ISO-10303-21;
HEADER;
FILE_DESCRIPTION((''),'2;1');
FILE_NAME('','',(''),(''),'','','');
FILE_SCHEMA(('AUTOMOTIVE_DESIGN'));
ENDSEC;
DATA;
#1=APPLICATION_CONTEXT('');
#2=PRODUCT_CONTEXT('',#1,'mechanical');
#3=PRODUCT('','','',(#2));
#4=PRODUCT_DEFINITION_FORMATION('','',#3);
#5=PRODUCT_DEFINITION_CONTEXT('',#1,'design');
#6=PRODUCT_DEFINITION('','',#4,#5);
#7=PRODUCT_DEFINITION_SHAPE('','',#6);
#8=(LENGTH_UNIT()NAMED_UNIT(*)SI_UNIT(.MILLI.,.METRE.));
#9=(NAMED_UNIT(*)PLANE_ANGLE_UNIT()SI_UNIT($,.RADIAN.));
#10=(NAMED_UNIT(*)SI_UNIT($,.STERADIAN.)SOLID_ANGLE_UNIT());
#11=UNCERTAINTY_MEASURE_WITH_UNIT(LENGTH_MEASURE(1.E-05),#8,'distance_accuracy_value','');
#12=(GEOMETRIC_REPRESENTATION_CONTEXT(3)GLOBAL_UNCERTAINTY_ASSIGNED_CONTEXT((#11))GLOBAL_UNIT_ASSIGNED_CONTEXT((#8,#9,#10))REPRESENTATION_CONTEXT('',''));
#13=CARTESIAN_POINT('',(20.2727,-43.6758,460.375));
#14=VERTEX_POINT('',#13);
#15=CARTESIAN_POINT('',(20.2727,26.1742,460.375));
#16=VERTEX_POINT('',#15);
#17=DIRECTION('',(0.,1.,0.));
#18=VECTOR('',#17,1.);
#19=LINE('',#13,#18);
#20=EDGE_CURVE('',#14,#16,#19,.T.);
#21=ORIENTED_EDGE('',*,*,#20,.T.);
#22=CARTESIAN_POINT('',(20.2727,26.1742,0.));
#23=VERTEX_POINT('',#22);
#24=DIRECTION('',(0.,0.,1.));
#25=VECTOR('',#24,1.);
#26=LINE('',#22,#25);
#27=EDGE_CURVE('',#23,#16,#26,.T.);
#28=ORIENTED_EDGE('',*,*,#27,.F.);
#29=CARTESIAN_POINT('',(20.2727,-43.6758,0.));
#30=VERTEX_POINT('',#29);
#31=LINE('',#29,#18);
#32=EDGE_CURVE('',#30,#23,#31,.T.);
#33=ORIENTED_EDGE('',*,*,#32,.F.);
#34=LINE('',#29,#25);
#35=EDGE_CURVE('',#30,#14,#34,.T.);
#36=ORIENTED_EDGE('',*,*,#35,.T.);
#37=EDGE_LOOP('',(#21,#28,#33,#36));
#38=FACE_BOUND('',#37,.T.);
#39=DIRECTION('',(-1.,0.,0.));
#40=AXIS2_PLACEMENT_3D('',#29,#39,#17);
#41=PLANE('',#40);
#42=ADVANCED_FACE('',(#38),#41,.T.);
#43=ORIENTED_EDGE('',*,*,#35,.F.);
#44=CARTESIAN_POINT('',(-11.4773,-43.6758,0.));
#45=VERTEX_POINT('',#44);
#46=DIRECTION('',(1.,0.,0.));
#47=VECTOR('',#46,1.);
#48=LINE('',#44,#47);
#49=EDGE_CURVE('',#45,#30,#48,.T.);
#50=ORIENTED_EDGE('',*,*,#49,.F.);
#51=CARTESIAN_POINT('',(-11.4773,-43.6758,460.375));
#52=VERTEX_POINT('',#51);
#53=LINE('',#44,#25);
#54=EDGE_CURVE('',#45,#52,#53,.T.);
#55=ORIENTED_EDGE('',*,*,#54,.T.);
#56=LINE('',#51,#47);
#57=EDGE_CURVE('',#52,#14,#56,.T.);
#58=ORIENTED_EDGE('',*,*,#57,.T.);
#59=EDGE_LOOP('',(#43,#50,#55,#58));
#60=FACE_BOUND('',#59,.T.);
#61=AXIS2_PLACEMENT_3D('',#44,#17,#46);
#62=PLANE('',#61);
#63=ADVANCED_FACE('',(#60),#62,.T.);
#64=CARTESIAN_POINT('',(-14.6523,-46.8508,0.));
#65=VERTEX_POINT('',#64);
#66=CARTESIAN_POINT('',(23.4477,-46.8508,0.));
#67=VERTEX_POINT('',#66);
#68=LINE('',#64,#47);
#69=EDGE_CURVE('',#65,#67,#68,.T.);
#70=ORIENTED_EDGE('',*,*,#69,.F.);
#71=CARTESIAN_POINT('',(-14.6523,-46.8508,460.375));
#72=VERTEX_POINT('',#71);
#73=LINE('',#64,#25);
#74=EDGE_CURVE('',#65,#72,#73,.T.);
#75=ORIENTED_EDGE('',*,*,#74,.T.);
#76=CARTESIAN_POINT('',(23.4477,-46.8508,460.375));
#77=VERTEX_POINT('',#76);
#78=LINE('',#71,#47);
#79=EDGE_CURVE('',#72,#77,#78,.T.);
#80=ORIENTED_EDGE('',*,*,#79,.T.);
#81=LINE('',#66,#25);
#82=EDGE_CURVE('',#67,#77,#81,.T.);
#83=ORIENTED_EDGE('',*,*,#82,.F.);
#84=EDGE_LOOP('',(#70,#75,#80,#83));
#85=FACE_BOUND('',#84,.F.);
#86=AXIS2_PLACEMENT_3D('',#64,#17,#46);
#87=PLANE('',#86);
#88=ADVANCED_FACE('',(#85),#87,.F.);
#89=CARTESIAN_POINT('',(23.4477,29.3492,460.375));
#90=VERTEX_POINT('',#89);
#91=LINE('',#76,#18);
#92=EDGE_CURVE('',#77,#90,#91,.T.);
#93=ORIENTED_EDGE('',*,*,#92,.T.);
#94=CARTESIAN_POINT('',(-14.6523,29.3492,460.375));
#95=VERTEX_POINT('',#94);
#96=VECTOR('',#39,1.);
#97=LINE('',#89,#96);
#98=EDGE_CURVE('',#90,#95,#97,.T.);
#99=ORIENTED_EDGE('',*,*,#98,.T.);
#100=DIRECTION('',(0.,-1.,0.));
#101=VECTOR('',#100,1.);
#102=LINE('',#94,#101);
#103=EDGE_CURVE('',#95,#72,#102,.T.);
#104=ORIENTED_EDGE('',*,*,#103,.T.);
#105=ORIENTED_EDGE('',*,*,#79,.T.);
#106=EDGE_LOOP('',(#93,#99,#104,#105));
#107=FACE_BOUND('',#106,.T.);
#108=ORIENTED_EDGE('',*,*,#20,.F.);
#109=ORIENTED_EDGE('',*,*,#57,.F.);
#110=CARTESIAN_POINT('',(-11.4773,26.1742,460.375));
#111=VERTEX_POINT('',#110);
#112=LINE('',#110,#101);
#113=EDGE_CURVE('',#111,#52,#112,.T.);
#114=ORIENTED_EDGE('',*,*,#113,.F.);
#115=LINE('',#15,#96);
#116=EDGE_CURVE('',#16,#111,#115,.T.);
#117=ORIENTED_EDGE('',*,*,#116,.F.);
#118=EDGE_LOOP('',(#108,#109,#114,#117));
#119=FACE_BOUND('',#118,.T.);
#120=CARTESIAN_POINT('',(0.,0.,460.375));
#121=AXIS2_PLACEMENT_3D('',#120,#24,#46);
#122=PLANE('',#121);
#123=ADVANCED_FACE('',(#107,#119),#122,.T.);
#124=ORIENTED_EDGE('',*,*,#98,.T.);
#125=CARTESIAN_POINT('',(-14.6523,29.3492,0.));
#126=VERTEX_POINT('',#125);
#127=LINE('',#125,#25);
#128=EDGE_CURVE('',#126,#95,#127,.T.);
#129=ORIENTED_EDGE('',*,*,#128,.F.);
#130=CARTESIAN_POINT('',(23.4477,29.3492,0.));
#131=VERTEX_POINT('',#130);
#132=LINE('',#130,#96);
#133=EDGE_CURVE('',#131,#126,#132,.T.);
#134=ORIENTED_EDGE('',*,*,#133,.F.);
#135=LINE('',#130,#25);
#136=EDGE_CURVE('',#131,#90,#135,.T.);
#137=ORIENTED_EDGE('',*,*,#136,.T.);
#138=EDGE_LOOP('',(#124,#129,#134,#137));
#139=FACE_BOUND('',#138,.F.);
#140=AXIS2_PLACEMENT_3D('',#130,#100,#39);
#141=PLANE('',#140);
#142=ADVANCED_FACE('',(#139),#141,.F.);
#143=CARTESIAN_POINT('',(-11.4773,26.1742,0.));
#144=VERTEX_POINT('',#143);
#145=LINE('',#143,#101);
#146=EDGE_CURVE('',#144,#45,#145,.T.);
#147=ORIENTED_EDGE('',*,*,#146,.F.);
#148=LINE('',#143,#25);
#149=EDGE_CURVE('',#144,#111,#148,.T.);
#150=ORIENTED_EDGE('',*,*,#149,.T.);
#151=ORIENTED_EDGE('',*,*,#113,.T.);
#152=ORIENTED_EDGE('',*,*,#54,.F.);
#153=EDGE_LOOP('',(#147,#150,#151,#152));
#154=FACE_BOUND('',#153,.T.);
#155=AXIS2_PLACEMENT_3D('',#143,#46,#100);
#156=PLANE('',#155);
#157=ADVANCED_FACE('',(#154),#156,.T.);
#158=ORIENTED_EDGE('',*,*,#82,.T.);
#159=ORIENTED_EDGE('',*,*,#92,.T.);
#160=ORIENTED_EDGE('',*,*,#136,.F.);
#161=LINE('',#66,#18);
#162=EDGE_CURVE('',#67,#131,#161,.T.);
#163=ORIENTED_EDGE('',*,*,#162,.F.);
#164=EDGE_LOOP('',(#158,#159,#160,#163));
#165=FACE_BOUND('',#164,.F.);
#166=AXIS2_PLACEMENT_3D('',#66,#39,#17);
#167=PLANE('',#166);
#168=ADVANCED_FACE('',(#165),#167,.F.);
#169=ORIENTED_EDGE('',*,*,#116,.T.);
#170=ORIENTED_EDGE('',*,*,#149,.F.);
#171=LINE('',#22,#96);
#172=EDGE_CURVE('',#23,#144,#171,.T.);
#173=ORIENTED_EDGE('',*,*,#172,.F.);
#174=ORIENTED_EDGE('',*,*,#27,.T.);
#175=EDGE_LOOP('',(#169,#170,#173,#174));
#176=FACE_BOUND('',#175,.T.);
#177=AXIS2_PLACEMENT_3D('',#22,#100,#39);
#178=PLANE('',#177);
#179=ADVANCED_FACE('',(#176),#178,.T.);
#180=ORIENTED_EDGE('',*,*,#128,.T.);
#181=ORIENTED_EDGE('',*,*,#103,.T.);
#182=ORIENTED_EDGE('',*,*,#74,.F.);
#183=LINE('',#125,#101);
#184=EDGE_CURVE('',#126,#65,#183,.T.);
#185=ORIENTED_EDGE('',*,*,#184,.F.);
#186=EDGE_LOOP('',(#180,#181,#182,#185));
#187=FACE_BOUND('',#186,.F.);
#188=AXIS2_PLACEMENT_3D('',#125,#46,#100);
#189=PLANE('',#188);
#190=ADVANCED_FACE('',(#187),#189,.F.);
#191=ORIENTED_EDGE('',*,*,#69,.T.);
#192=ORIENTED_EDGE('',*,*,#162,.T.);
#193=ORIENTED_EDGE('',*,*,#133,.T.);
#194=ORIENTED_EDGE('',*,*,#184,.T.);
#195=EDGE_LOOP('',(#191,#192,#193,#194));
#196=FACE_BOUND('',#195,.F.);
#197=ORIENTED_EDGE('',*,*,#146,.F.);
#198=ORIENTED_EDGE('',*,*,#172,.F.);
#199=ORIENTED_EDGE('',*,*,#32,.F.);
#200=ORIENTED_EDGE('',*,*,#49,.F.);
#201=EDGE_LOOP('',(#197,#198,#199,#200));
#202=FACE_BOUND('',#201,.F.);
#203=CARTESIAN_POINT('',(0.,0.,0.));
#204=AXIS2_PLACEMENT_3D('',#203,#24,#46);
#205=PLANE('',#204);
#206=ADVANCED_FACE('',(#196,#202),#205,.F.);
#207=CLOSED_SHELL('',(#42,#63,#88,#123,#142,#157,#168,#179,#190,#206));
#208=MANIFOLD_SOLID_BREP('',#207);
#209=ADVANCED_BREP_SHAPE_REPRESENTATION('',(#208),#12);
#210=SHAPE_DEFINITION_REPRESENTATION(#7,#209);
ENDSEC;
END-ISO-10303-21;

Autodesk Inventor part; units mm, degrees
ref_plane "YZ Plane" through (0, 0, 0) normal (1, 0, 0) x (0, 1, 0)
ref_plane "XZ Plane" through (0, 0, 0) normal (0, 1, 0) x (-1, 0, 0)
ref_plane "XY Plane" through (0, 0, 0) normal (0, 0, 1) x (1, 0, 0)
sketch "Sketch1" plane through (0, 0, 0) normal (0, 0, 1) x (1, 0, 0)
  line L0 (23.4477, 29.3492) -> (-14.6523, 29.3492)
  line L1 (-14.6523, 29.3492) -> (-14.6523, -46.8508)
  line L2 (-14.6523, -46.8508) -> (23.4477, -46.8508)
  line L3 (23.4477, -46.8508) -> (23.4477, 29.3492)
  line L4 (20.2727, 26.1742) -> (-11.4773, 26.1742)
  line L5 (-11.4773, 26.1742) -> (-11.4773, -43.6758)
  line L6 (-11.4773, -43.6758) -> (20.2727, -43.6758)
  line L7 (20.2727, -43.6758) -> (20.2727, 26.1742)
  point P0 (0, 0)
  dimension "d0" = 76.2
  dimension "d1" = 38.1
  dimension "d2" = 3.175
extrude "Extrusion1" add sketch "Sketch1" along normal blind 460.375
properties part number "Frame Channle Close"
